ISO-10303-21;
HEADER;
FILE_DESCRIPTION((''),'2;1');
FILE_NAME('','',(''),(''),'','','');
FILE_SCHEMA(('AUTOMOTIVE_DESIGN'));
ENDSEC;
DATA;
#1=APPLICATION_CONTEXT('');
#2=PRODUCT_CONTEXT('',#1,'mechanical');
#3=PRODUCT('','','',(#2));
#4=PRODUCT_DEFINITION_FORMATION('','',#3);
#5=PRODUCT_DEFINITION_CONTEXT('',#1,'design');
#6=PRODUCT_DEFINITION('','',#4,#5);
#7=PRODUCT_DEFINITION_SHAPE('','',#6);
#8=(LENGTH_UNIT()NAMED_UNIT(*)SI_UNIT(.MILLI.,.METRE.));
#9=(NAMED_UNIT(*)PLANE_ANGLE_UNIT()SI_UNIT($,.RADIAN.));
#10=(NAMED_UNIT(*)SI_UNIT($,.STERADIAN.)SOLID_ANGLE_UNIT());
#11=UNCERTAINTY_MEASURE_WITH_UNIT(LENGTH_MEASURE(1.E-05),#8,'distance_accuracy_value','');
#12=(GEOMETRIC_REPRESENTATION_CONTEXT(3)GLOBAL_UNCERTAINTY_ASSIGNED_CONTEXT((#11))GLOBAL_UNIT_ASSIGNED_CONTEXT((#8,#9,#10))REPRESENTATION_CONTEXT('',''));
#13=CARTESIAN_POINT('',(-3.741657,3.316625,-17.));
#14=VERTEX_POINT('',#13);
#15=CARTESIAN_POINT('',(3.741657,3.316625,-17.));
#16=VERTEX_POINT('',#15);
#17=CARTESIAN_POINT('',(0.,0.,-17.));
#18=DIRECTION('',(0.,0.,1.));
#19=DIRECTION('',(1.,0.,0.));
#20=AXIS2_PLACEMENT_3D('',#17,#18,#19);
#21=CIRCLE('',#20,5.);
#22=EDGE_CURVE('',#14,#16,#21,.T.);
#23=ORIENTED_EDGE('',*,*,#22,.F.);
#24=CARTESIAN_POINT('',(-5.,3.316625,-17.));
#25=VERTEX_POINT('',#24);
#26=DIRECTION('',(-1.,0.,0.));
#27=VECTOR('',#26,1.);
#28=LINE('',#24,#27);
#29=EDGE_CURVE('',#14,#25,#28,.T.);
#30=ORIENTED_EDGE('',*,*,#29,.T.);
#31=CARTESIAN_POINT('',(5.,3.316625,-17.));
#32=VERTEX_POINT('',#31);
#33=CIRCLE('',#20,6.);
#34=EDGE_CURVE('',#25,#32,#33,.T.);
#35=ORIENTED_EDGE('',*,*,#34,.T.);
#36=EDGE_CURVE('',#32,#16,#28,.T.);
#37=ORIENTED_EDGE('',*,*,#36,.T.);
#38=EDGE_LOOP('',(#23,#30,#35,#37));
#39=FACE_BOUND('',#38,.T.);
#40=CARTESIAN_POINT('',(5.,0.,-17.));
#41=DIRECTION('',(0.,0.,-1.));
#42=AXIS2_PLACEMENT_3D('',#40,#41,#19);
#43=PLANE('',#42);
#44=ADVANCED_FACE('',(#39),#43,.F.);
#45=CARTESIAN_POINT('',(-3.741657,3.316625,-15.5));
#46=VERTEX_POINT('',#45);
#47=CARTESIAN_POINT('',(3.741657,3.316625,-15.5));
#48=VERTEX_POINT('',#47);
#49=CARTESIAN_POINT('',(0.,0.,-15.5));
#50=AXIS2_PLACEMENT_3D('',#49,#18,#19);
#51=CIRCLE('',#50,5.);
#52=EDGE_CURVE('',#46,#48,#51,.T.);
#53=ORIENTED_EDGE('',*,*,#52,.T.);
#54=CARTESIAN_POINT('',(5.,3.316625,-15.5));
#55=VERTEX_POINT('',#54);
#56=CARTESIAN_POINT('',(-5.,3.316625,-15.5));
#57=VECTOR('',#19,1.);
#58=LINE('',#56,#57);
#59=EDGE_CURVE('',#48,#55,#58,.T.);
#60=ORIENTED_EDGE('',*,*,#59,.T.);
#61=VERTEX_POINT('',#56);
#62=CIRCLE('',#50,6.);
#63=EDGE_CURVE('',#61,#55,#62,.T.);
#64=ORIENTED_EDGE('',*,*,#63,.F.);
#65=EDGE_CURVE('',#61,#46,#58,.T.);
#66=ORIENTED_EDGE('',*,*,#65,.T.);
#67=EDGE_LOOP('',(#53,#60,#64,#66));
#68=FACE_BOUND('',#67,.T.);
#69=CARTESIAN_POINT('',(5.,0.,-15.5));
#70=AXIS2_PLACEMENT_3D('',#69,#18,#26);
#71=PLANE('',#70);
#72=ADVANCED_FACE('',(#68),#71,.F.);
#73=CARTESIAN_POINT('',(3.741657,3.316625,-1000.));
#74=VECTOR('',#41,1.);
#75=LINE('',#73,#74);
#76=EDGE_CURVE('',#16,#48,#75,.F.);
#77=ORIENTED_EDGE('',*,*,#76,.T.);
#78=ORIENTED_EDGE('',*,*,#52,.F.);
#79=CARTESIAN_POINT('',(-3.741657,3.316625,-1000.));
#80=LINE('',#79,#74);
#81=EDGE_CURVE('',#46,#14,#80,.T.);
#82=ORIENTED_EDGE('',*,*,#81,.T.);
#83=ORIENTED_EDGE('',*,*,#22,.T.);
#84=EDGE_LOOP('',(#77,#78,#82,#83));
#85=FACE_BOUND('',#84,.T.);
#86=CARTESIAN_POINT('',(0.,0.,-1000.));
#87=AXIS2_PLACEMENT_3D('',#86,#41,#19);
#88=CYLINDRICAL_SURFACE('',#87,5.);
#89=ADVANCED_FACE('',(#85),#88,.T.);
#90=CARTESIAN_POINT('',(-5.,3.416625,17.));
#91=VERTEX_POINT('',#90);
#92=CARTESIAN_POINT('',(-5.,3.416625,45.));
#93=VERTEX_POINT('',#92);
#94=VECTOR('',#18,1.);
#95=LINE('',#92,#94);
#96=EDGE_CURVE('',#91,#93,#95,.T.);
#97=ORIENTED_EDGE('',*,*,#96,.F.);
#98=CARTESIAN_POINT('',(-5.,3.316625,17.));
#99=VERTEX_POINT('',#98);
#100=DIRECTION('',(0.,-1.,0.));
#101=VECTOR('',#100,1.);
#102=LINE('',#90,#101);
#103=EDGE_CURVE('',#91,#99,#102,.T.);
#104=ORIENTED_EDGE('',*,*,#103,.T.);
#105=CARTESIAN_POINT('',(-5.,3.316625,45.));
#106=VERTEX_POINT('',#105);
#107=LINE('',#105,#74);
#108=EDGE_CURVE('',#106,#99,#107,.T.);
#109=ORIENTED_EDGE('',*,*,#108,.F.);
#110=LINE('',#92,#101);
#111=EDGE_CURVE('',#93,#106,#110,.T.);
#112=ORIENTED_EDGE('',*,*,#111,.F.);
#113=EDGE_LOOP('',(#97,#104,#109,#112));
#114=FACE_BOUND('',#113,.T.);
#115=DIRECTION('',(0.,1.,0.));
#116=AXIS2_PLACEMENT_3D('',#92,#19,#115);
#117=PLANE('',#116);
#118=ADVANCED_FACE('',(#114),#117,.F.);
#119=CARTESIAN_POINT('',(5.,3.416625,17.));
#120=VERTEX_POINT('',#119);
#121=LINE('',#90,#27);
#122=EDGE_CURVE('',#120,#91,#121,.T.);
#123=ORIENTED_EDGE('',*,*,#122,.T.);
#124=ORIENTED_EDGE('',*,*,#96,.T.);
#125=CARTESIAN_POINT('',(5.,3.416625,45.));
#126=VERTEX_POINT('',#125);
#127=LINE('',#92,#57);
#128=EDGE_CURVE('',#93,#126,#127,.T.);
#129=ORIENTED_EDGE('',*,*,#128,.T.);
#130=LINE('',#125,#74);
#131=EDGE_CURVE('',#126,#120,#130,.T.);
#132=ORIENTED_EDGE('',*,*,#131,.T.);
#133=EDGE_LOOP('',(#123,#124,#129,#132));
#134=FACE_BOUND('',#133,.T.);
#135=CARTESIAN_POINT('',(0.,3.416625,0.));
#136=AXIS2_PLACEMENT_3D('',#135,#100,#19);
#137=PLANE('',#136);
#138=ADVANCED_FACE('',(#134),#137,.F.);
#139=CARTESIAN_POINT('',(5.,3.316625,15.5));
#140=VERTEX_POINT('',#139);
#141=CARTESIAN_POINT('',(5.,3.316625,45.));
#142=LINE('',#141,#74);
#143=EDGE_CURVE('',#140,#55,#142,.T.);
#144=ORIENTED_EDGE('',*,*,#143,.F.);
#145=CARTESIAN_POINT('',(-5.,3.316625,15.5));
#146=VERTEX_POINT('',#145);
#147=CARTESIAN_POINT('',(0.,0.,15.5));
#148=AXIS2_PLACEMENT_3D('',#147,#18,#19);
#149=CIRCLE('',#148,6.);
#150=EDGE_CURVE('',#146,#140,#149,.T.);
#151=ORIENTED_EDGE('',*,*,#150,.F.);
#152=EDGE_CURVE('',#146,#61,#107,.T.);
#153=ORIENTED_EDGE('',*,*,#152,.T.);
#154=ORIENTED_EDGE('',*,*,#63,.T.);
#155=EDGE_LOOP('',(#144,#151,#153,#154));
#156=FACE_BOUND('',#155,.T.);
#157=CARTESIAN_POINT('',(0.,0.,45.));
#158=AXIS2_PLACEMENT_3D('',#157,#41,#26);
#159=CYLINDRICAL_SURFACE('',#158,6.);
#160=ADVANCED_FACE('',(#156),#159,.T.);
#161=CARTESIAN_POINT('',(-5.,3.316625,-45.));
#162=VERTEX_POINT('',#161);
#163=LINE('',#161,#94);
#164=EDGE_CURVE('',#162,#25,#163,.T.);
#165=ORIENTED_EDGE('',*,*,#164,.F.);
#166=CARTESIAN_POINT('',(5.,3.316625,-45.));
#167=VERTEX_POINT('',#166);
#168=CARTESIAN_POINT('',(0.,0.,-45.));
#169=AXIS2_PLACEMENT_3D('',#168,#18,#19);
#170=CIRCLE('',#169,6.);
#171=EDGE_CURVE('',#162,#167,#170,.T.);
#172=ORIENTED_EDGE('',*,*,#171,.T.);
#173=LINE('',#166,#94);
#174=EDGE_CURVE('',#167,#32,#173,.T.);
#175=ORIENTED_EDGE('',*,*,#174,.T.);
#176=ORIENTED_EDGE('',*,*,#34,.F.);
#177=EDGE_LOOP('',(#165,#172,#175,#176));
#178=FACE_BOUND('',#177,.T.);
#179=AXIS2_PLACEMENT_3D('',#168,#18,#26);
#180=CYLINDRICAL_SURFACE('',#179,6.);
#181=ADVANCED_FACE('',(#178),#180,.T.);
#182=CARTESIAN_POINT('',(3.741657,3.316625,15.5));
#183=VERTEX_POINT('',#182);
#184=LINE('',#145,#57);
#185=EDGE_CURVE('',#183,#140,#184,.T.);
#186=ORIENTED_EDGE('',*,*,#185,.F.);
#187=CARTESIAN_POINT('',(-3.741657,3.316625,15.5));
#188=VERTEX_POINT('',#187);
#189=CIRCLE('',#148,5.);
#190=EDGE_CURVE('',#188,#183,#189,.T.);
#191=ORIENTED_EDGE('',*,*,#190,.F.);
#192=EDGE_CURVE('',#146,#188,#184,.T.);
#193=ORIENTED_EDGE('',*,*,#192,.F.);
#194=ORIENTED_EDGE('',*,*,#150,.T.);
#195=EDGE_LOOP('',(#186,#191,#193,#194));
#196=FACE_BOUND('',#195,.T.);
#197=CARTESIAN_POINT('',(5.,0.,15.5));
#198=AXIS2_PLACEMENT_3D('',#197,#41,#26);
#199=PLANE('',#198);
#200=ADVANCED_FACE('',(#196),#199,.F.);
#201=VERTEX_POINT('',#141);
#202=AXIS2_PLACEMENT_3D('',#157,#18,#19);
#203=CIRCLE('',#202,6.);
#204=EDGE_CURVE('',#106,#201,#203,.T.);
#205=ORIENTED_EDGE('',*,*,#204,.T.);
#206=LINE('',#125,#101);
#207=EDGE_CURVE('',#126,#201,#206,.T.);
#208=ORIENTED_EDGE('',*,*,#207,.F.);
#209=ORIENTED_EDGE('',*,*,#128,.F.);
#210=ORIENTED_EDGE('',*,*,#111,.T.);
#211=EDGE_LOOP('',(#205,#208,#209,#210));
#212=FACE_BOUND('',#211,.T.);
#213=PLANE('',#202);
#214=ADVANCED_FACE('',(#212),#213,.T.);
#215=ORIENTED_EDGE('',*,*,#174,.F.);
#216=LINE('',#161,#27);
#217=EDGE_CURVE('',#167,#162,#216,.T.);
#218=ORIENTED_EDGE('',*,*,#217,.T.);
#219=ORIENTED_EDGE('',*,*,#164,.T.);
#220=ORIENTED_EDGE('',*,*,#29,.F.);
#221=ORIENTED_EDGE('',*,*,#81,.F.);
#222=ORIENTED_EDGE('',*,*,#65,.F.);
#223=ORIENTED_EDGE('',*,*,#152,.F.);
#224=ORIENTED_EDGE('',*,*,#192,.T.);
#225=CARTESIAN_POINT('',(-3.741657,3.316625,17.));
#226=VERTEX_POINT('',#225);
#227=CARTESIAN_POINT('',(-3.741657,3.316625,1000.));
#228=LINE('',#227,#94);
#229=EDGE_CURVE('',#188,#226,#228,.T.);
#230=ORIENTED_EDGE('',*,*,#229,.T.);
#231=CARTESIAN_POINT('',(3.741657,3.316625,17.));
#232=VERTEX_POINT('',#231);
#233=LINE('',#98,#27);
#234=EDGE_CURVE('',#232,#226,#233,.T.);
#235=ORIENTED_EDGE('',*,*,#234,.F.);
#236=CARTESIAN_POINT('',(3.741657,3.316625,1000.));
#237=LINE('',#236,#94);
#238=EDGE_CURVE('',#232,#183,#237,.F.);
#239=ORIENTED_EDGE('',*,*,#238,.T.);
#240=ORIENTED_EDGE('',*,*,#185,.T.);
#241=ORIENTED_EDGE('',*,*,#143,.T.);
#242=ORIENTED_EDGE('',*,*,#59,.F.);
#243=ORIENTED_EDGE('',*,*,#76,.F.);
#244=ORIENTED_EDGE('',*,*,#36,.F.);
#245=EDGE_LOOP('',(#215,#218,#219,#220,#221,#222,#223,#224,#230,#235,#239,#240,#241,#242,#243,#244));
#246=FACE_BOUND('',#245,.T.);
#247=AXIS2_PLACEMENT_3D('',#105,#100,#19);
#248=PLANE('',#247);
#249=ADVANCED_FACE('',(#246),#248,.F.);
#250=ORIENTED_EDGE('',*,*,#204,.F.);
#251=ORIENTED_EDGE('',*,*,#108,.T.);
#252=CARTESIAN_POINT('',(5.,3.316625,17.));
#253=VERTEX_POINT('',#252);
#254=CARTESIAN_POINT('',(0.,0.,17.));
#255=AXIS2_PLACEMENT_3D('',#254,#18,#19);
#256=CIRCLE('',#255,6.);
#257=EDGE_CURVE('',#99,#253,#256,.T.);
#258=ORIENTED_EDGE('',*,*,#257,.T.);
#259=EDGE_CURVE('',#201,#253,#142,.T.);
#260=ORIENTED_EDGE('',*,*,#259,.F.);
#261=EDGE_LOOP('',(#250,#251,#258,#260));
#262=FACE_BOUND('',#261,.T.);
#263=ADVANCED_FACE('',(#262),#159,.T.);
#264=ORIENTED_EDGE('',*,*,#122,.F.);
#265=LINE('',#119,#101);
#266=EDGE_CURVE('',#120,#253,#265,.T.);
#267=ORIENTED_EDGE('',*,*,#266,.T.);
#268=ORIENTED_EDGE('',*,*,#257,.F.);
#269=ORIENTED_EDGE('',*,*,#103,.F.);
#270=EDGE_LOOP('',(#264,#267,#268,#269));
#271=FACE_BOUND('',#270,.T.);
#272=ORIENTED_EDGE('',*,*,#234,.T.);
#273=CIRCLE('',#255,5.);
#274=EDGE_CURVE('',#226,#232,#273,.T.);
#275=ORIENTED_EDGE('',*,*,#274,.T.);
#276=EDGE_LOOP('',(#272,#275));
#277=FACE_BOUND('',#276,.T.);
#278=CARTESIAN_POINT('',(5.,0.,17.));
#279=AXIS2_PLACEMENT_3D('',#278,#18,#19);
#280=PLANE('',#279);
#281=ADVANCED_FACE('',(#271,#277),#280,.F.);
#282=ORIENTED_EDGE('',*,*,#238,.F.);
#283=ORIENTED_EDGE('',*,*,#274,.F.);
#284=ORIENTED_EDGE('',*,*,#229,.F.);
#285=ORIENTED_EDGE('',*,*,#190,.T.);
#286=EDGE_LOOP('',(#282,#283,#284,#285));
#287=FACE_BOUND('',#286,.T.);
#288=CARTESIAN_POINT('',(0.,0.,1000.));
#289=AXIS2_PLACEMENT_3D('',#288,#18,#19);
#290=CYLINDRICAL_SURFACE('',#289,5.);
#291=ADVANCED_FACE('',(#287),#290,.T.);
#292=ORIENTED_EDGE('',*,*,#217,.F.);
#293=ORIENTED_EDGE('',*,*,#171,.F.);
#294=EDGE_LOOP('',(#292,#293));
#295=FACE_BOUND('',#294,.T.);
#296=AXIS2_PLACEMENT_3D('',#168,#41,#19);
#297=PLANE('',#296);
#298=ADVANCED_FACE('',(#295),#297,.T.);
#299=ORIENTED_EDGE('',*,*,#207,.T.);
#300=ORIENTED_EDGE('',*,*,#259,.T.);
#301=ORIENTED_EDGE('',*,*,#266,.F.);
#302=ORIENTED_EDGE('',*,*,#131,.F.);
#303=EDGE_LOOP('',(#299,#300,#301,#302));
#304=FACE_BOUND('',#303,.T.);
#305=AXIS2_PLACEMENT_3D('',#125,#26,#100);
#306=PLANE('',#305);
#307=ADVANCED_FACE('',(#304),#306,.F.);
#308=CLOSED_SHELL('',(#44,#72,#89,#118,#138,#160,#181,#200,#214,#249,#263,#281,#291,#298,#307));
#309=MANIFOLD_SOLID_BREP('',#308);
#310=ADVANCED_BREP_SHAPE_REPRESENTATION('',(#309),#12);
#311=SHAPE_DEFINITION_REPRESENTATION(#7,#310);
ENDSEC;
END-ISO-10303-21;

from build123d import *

# Parameters (mm, degrees)
EXTRUDE_1_DEPTH = 45
SKETCH_2_W      = 1
SKETCH_2_H      = 1.5
SKETCH_3_W      = 10
SKETCH_3_H      = 28
EXTRUDE_2_DEPTH = 0.1


with BuildPart() as part:
    # Эскиз1 → Бобышка-Вытянуть1 (new body)
    with BuildSketch(Plane.XY):
        with BuildLine():
            Line((-5, 3.31662479), (5, 3.31662479))
            ThreePointArc((5, 3.31662479), (0, -6), (-5, 3.31662479))
        make_face()
    extrude(amount=EXTRUDE_1_DEPTH)

    # Эскиз2 → Вырез-Повернуть1 (revolve, cut)
    with BuildSketch(Plane(origin=(0, 0, 0), x_dir=(1, 0, 0), z_dir=(0, 1, 0))):
        with Locations((5.5, -16.25)):
            Rectangle(SKETCH_2_W, SKETCH_2_H)
    revolve(axis=Axis((0, 0, 1000), (0, 0, -1)), mode=Mode.SUBTRACT)

    # Зеркальное отражение1: part across plane


with BuildPart() as part_1:
    add(part.part)
    add(part.part.mirror(Plane.XY))

    # Эскиз3 → Бобышка-Вытянуть2 (add)
    with BuildSketch(Plane(origin=(0, 3.31662479, 0), x_dir=(1, 0, 0), z_dir=(0, 1, 0))):
        with Locations((0, -31)):
            Rectangle(SKETCH_3_W, SKETCH_3_H)
    extrude(amount=EXTRUDE_2_DEPTH)


solid = part_1.part
